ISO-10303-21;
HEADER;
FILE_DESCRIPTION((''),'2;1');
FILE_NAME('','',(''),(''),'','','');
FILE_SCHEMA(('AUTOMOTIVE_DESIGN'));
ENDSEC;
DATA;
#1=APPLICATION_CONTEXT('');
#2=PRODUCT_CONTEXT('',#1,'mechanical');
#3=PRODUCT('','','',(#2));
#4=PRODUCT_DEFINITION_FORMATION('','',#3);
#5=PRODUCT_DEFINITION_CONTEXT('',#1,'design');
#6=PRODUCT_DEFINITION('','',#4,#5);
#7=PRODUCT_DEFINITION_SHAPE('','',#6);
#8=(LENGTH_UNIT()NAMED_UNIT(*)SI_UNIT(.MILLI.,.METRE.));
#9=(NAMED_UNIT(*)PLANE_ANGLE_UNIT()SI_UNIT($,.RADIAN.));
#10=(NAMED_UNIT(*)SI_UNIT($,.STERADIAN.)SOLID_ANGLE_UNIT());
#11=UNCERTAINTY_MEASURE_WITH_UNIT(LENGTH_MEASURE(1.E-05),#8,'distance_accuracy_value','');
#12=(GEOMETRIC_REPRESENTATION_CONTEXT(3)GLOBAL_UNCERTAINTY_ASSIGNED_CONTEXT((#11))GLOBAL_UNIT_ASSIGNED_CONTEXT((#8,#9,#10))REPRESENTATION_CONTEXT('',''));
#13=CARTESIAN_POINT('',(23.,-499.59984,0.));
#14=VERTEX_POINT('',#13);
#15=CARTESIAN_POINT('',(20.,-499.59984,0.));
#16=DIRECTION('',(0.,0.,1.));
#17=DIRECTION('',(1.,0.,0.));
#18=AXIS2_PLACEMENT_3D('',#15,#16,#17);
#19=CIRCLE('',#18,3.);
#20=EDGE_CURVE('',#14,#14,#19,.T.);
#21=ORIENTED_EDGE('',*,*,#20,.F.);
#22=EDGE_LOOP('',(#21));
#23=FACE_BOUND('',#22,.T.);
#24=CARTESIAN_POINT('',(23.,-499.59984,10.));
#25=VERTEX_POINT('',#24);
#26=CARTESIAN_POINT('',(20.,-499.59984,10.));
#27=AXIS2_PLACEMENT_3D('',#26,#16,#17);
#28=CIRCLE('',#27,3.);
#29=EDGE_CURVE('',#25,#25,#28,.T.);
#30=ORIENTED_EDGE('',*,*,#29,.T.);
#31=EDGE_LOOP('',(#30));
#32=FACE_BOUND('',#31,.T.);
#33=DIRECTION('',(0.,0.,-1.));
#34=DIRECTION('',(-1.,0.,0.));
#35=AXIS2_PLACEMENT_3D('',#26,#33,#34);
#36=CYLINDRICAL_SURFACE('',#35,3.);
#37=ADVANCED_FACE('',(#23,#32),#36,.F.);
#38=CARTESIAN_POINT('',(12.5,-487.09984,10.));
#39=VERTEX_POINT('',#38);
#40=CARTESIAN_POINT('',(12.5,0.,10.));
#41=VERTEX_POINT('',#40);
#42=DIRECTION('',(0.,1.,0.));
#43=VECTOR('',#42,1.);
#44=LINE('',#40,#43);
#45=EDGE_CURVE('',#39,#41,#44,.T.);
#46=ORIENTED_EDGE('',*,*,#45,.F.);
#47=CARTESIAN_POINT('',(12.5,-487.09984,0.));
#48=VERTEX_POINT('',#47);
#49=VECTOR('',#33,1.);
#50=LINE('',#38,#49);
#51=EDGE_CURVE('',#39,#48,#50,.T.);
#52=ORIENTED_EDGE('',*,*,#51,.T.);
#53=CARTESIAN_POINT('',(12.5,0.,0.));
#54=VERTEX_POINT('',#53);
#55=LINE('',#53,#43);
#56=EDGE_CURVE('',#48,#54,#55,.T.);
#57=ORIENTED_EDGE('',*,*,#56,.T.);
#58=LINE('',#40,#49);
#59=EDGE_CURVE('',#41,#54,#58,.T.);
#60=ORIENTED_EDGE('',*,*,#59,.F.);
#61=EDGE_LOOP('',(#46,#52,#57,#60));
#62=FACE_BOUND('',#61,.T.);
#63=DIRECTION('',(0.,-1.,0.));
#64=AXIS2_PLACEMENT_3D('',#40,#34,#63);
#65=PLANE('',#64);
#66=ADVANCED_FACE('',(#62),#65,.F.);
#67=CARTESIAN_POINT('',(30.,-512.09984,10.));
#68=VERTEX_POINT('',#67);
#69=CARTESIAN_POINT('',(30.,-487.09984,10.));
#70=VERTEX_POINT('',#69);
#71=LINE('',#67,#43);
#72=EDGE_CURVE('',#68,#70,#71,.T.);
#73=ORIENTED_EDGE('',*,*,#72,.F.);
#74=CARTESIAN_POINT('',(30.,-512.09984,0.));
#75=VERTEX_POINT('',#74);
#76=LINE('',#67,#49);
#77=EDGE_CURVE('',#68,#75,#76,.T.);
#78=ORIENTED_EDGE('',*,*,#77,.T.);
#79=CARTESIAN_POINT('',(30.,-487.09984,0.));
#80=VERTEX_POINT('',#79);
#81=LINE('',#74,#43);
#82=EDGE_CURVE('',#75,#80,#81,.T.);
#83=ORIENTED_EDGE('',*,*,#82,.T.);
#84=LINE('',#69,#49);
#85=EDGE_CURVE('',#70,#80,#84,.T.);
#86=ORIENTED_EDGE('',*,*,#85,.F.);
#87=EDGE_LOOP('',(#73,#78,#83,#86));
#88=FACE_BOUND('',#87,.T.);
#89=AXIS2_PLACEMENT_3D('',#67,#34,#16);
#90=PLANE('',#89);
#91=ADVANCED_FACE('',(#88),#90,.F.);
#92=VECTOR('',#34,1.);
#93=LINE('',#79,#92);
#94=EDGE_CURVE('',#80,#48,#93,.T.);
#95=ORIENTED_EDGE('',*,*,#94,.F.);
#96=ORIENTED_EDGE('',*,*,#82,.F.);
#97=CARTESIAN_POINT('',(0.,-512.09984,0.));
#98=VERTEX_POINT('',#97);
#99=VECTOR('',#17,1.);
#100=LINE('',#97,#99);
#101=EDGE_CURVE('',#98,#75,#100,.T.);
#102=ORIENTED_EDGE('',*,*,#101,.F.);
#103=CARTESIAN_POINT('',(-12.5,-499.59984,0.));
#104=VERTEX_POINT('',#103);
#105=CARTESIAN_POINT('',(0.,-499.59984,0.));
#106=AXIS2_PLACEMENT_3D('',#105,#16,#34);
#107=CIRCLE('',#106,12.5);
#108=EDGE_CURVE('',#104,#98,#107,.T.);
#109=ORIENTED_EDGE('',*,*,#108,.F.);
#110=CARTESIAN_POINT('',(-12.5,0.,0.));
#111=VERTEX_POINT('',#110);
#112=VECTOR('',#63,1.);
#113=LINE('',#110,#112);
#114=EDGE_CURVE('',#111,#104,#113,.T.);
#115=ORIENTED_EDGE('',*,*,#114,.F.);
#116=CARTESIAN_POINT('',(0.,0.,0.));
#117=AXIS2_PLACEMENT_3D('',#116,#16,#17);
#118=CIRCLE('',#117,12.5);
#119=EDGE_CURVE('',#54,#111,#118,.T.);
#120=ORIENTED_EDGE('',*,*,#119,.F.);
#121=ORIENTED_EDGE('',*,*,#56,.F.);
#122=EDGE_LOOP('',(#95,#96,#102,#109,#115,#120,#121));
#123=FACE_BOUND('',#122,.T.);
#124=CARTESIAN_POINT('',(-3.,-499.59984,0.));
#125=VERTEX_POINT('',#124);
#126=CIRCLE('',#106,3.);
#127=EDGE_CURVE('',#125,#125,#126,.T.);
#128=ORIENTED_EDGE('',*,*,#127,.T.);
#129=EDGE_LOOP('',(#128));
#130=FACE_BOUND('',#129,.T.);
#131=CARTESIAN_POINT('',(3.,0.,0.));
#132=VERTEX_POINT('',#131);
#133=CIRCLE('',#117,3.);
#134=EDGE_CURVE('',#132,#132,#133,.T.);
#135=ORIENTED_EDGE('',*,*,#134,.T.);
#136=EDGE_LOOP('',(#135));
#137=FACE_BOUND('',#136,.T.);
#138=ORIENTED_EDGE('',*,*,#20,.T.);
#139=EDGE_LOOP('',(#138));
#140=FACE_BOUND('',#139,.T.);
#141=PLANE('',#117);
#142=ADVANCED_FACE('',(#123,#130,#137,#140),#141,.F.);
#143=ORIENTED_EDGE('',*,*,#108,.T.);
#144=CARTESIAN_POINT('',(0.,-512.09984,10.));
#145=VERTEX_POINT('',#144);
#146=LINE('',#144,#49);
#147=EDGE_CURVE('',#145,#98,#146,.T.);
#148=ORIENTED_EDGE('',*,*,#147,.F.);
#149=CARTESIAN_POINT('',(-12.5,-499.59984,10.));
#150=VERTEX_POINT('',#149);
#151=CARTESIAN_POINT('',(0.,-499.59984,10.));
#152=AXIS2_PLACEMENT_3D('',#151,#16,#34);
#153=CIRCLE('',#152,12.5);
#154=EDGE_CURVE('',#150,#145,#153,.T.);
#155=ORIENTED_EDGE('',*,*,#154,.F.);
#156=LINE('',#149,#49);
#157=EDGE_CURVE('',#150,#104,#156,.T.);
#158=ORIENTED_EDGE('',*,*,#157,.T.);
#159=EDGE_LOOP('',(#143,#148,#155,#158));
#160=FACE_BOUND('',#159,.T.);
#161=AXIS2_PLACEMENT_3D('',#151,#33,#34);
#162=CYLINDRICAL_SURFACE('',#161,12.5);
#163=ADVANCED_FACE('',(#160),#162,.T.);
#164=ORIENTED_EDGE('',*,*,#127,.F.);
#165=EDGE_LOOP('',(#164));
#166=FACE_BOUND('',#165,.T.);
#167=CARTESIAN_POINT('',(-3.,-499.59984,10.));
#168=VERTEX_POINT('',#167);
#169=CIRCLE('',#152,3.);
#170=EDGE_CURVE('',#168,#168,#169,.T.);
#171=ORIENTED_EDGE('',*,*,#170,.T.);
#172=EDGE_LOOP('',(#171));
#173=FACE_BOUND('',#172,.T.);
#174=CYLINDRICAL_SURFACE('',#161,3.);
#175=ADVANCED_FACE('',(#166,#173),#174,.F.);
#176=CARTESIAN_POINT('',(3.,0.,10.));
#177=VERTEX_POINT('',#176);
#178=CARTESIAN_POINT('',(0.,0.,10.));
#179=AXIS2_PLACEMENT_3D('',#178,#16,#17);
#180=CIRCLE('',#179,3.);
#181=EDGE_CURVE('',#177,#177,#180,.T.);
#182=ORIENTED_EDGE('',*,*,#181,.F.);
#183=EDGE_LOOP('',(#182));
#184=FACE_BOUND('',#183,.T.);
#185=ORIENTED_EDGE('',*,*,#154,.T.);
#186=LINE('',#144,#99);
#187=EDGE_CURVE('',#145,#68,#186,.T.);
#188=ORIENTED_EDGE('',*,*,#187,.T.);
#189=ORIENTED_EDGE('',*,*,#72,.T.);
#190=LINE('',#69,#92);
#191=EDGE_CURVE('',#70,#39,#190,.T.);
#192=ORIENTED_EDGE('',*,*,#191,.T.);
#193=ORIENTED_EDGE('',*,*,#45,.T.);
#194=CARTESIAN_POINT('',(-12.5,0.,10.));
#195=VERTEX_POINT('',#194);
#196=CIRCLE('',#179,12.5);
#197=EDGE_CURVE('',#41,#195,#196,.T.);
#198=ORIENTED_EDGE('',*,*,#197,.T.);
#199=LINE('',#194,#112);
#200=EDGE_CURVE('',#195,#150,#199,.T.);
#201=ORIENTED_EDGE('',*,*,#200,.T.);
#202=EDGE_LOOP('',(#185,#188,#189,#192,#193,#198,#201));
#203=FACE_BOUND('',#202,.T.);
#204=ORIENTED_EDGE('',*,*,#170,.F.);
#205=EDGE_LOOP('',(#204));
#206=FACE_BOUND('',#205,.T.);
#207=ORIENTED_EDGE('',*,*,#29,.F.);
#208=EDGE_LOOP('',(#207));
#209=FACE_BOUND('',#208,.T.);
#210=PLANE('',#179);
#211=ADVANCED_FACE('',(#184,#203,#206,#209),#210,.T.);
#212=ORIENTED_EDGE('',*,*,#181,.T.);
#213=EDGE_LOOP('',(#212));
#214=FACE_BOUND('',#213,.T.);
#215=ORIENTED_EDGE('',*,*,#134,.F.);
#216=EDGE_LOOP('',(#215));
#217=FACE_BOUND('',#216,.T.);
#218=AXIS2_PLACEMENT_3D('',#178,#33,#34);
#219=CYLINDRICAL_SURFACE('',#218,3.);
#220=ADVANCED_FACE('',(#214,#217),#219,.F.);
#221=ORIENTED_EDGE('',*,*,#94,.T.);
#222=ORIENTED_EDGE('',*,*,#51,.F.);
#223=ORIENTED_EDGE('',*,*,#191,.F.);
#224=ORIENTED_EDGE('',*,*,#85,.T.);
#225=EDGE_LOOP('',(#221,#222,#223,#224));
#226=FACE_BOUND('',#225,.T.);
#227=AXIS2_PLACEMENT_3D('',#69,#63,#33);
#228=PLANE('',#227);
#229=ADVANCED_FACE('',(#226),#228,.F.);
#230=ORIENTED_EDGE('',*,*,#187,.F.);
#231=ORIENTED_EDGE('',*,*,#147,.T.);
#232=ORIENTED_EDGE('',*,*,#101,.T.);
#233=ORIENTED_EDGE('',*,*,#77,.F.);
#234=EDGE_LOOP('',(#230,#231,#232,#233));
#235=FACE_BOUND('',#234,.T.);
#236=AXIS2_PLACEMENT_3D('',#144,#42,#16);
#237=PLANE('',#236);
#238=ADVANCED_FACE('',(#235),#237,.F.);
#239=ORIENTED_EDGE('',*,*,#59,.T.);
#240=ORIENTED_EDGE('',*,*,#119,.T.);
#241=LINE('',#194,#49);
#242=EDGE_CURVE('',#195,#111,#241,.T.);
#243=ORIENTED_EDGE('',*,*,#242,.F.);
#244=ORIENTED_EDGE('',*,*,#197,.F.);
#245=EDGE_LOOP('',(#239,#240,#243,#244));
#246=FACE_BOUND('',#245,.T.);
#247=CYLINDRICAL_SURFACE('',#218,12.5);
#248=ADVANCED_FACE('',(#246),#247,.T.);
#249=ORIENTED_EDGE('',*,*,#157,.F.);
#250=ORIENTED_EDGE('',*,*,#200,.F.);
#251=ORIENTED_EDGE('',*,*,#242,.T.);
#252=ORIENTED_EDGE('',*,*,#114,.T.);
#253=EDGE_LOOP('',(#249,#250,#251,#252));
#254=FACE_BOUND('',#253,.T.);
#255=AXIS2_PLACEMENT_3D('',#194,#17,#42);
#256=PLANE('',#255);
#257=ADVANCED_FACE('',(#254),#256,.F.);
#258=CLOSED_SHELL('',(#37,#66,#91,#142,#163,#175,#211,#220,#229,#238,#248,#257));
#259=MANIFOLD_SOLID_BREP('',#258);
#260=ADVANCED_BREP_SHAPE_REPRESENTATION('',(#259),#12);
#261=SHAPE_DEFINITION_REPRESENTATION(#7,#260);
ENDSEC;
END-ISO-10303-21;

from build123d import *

# Parameters (mm, degrees)
SKETCH1_R           = 3
BOSS_EXTRUDE1_DEPTH = 10


with BuildPart() as part:
    # Sketch1 → Boss-Extrude1 (new body)
    with BuildSketch(Plane.XY):
        with BuildLine():
            Line((-12.5, 0), (-12.5, -499.599839872))
            ThreePointArc((-12.5, -499.599839872), (-8.838834765, -508.438674637), (0, -512.099839872))
            Line((0, -512.099839872), (30, -512.099839872))
            Line((30, -512.099839872), (30, -487.099839872))
            Line((30, -487.099839872), (12.5, -487.099839872))
            Line((12.5, -487.099839872), (12.5, 0))
            ThreePointArc((12.5, 0), (0, 12.5), (-12.5, 0))
        make_face()
        Circle(SKETCH1_R, mode=Mode.SUBTRACT)
        with Locations(Location((0, -499.599839872, 0), (0, 0, 180))):
            Circle(SKETCH1_R, mode=Mode.SUBTRACT)
        with Locations((20, -499.599839872)):
            Circle(SKETCH1_R, mode=Mode.SUBTRACT)
    extrude(amount=BOSS_EXTRUDE1_DEPTH)


solid = part.part
